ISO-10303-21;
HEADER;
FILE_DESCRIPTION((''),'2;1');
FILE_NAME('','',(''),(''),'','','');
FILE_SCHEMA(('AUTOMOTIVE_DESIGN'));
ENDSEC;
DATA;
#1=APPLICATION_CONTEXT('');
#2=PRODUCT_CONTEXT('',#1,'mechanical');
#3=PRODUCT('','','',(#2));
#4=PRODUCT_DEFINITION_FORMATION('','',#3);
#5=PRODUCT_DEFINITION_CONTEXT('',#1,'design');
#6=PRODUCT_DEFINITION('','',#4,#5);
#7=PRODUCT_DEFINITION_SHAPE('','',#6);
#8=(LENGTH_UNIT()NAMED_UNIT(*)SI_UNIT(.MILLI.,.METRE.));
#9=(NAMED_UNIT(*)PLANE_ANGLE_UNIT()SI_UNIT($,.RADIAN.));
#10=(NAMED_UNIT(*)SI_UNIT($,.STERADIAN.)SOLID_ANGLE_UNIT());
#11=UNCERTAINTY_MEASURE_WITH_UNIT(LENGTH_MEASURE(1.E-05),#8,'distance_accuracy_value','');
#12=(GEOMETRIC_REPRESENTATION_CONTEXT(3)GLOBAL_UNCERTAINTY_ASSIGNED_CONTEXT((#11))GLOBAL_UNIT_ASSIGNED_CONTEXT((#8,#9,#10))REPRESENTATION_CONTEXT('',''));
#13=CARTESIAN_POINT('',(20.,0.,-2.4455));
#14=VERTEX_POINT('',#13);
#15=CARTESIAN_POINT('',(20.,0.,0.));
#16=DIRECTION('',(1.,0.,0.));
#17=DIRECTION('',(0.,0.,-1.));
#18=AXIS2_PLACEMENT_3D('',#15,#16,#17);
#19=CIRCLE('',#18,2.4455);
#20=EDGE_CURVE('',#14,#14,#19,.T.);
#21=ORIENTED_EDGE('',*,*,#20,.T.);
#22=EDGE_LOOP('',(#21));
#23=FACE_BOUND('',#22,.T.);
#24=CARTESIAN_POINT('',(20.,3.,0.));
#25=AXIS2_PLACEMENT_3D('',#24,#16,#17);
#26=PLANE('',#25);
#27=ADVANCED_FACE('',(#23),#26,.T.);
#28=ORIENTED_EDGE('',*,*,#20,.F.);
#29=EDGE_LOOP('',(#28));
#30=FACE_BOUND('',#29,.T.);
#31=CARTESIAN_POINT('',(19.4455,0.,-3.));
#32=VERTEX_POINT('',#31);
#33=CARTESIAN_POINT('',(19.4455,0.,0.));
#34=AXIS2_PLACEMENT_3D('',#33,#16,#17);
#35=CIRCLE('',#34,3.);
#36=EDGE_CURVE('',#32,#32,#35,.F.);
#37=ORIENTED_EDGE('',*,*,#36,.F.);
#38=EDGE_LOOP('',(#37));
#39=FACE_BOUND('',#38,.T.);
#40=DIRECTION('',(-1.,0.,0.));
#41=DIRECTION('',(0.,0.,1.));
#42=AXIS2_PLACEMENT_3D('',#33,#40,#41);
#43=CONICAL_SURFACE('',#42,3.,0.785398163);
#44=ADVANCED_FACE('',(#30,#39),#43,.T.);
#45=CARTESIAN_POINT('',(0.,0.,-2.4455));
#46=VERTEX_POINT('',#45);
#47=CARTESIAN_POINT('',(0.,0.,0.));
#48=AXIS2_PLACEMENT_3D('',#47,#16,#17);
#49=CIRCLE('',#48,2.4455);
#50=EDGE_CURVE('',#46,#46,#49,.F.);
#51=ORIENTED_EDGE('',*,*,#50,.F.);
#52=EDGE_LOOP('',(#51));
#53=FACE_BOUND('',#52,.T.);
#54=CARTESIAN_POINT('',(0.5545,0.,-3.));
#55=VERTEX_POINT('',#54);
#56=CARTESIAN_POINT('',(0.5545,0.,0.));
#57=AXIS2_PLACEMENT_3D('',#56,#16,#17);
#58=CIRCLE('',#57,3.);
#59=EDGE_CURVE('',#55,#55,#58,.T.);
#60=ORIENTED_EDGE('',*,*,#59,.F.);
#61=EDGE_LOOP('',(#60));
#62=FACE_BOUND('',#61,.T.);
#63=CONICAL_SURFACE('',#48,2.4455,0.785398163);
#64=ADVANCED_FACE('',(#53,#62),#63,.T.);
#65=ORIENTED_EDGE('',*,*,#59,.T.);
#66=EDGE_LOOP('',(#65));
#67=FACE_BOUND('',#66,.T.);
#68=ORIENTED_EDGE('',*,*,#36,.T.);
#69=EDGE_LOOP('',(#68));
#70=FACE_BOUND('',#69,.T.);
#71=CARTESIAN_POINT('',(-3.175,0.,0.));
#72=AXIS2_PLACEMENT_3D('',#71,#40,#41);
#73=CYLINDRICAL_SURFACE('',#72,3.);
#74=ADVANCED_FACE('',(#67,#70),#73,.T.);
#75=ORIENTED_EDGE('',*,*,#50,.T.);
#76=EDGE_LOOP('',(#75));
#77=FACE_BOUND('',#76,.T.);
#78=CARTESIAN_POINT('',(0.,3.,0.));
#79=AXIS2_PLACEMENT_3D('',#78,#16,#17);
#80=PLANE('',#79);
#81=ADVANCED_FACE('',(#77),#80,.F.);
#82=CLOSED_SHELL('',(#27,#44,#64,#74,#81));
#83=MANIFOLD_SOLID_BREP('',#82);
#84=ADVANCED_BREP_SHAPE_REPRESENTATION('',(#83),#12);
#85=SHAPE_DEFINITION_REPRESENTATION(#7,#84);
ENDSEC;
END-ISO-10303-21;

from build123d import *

# Parameters (mm, degrees)
BODYSKE_W     = 20
BODYSKE_H     = 3
CHAMFER1_SIZE = 0.5545


with BuildPart() as part:
    # BodySke → BaseBody (revolve)
    with BuildSketch(Plane.XY, mode=Mode.PRIVATE) as basebody_sk:
        with Locations((10, 1.5)):
            Rectangle(BODYSKE_W, BODYSKE_H)
    revolve(basebody_sk.sketch.rotate(Axis((-3.175, 0, 0), (1, 0, 0)), 90), axis=Axis((-3.175, 0, 0), (1, 0, 0)))

    # Chamfer1
    chamfer1_edges = [part.edges().sort_by_distance(p)[0] for p in [
        (0, 0, -3),
        (20, 0, -3),
    ]]
    chamfer(chamfer1_edges, length=CHAMFER1_SIZE)


solid = part.part
